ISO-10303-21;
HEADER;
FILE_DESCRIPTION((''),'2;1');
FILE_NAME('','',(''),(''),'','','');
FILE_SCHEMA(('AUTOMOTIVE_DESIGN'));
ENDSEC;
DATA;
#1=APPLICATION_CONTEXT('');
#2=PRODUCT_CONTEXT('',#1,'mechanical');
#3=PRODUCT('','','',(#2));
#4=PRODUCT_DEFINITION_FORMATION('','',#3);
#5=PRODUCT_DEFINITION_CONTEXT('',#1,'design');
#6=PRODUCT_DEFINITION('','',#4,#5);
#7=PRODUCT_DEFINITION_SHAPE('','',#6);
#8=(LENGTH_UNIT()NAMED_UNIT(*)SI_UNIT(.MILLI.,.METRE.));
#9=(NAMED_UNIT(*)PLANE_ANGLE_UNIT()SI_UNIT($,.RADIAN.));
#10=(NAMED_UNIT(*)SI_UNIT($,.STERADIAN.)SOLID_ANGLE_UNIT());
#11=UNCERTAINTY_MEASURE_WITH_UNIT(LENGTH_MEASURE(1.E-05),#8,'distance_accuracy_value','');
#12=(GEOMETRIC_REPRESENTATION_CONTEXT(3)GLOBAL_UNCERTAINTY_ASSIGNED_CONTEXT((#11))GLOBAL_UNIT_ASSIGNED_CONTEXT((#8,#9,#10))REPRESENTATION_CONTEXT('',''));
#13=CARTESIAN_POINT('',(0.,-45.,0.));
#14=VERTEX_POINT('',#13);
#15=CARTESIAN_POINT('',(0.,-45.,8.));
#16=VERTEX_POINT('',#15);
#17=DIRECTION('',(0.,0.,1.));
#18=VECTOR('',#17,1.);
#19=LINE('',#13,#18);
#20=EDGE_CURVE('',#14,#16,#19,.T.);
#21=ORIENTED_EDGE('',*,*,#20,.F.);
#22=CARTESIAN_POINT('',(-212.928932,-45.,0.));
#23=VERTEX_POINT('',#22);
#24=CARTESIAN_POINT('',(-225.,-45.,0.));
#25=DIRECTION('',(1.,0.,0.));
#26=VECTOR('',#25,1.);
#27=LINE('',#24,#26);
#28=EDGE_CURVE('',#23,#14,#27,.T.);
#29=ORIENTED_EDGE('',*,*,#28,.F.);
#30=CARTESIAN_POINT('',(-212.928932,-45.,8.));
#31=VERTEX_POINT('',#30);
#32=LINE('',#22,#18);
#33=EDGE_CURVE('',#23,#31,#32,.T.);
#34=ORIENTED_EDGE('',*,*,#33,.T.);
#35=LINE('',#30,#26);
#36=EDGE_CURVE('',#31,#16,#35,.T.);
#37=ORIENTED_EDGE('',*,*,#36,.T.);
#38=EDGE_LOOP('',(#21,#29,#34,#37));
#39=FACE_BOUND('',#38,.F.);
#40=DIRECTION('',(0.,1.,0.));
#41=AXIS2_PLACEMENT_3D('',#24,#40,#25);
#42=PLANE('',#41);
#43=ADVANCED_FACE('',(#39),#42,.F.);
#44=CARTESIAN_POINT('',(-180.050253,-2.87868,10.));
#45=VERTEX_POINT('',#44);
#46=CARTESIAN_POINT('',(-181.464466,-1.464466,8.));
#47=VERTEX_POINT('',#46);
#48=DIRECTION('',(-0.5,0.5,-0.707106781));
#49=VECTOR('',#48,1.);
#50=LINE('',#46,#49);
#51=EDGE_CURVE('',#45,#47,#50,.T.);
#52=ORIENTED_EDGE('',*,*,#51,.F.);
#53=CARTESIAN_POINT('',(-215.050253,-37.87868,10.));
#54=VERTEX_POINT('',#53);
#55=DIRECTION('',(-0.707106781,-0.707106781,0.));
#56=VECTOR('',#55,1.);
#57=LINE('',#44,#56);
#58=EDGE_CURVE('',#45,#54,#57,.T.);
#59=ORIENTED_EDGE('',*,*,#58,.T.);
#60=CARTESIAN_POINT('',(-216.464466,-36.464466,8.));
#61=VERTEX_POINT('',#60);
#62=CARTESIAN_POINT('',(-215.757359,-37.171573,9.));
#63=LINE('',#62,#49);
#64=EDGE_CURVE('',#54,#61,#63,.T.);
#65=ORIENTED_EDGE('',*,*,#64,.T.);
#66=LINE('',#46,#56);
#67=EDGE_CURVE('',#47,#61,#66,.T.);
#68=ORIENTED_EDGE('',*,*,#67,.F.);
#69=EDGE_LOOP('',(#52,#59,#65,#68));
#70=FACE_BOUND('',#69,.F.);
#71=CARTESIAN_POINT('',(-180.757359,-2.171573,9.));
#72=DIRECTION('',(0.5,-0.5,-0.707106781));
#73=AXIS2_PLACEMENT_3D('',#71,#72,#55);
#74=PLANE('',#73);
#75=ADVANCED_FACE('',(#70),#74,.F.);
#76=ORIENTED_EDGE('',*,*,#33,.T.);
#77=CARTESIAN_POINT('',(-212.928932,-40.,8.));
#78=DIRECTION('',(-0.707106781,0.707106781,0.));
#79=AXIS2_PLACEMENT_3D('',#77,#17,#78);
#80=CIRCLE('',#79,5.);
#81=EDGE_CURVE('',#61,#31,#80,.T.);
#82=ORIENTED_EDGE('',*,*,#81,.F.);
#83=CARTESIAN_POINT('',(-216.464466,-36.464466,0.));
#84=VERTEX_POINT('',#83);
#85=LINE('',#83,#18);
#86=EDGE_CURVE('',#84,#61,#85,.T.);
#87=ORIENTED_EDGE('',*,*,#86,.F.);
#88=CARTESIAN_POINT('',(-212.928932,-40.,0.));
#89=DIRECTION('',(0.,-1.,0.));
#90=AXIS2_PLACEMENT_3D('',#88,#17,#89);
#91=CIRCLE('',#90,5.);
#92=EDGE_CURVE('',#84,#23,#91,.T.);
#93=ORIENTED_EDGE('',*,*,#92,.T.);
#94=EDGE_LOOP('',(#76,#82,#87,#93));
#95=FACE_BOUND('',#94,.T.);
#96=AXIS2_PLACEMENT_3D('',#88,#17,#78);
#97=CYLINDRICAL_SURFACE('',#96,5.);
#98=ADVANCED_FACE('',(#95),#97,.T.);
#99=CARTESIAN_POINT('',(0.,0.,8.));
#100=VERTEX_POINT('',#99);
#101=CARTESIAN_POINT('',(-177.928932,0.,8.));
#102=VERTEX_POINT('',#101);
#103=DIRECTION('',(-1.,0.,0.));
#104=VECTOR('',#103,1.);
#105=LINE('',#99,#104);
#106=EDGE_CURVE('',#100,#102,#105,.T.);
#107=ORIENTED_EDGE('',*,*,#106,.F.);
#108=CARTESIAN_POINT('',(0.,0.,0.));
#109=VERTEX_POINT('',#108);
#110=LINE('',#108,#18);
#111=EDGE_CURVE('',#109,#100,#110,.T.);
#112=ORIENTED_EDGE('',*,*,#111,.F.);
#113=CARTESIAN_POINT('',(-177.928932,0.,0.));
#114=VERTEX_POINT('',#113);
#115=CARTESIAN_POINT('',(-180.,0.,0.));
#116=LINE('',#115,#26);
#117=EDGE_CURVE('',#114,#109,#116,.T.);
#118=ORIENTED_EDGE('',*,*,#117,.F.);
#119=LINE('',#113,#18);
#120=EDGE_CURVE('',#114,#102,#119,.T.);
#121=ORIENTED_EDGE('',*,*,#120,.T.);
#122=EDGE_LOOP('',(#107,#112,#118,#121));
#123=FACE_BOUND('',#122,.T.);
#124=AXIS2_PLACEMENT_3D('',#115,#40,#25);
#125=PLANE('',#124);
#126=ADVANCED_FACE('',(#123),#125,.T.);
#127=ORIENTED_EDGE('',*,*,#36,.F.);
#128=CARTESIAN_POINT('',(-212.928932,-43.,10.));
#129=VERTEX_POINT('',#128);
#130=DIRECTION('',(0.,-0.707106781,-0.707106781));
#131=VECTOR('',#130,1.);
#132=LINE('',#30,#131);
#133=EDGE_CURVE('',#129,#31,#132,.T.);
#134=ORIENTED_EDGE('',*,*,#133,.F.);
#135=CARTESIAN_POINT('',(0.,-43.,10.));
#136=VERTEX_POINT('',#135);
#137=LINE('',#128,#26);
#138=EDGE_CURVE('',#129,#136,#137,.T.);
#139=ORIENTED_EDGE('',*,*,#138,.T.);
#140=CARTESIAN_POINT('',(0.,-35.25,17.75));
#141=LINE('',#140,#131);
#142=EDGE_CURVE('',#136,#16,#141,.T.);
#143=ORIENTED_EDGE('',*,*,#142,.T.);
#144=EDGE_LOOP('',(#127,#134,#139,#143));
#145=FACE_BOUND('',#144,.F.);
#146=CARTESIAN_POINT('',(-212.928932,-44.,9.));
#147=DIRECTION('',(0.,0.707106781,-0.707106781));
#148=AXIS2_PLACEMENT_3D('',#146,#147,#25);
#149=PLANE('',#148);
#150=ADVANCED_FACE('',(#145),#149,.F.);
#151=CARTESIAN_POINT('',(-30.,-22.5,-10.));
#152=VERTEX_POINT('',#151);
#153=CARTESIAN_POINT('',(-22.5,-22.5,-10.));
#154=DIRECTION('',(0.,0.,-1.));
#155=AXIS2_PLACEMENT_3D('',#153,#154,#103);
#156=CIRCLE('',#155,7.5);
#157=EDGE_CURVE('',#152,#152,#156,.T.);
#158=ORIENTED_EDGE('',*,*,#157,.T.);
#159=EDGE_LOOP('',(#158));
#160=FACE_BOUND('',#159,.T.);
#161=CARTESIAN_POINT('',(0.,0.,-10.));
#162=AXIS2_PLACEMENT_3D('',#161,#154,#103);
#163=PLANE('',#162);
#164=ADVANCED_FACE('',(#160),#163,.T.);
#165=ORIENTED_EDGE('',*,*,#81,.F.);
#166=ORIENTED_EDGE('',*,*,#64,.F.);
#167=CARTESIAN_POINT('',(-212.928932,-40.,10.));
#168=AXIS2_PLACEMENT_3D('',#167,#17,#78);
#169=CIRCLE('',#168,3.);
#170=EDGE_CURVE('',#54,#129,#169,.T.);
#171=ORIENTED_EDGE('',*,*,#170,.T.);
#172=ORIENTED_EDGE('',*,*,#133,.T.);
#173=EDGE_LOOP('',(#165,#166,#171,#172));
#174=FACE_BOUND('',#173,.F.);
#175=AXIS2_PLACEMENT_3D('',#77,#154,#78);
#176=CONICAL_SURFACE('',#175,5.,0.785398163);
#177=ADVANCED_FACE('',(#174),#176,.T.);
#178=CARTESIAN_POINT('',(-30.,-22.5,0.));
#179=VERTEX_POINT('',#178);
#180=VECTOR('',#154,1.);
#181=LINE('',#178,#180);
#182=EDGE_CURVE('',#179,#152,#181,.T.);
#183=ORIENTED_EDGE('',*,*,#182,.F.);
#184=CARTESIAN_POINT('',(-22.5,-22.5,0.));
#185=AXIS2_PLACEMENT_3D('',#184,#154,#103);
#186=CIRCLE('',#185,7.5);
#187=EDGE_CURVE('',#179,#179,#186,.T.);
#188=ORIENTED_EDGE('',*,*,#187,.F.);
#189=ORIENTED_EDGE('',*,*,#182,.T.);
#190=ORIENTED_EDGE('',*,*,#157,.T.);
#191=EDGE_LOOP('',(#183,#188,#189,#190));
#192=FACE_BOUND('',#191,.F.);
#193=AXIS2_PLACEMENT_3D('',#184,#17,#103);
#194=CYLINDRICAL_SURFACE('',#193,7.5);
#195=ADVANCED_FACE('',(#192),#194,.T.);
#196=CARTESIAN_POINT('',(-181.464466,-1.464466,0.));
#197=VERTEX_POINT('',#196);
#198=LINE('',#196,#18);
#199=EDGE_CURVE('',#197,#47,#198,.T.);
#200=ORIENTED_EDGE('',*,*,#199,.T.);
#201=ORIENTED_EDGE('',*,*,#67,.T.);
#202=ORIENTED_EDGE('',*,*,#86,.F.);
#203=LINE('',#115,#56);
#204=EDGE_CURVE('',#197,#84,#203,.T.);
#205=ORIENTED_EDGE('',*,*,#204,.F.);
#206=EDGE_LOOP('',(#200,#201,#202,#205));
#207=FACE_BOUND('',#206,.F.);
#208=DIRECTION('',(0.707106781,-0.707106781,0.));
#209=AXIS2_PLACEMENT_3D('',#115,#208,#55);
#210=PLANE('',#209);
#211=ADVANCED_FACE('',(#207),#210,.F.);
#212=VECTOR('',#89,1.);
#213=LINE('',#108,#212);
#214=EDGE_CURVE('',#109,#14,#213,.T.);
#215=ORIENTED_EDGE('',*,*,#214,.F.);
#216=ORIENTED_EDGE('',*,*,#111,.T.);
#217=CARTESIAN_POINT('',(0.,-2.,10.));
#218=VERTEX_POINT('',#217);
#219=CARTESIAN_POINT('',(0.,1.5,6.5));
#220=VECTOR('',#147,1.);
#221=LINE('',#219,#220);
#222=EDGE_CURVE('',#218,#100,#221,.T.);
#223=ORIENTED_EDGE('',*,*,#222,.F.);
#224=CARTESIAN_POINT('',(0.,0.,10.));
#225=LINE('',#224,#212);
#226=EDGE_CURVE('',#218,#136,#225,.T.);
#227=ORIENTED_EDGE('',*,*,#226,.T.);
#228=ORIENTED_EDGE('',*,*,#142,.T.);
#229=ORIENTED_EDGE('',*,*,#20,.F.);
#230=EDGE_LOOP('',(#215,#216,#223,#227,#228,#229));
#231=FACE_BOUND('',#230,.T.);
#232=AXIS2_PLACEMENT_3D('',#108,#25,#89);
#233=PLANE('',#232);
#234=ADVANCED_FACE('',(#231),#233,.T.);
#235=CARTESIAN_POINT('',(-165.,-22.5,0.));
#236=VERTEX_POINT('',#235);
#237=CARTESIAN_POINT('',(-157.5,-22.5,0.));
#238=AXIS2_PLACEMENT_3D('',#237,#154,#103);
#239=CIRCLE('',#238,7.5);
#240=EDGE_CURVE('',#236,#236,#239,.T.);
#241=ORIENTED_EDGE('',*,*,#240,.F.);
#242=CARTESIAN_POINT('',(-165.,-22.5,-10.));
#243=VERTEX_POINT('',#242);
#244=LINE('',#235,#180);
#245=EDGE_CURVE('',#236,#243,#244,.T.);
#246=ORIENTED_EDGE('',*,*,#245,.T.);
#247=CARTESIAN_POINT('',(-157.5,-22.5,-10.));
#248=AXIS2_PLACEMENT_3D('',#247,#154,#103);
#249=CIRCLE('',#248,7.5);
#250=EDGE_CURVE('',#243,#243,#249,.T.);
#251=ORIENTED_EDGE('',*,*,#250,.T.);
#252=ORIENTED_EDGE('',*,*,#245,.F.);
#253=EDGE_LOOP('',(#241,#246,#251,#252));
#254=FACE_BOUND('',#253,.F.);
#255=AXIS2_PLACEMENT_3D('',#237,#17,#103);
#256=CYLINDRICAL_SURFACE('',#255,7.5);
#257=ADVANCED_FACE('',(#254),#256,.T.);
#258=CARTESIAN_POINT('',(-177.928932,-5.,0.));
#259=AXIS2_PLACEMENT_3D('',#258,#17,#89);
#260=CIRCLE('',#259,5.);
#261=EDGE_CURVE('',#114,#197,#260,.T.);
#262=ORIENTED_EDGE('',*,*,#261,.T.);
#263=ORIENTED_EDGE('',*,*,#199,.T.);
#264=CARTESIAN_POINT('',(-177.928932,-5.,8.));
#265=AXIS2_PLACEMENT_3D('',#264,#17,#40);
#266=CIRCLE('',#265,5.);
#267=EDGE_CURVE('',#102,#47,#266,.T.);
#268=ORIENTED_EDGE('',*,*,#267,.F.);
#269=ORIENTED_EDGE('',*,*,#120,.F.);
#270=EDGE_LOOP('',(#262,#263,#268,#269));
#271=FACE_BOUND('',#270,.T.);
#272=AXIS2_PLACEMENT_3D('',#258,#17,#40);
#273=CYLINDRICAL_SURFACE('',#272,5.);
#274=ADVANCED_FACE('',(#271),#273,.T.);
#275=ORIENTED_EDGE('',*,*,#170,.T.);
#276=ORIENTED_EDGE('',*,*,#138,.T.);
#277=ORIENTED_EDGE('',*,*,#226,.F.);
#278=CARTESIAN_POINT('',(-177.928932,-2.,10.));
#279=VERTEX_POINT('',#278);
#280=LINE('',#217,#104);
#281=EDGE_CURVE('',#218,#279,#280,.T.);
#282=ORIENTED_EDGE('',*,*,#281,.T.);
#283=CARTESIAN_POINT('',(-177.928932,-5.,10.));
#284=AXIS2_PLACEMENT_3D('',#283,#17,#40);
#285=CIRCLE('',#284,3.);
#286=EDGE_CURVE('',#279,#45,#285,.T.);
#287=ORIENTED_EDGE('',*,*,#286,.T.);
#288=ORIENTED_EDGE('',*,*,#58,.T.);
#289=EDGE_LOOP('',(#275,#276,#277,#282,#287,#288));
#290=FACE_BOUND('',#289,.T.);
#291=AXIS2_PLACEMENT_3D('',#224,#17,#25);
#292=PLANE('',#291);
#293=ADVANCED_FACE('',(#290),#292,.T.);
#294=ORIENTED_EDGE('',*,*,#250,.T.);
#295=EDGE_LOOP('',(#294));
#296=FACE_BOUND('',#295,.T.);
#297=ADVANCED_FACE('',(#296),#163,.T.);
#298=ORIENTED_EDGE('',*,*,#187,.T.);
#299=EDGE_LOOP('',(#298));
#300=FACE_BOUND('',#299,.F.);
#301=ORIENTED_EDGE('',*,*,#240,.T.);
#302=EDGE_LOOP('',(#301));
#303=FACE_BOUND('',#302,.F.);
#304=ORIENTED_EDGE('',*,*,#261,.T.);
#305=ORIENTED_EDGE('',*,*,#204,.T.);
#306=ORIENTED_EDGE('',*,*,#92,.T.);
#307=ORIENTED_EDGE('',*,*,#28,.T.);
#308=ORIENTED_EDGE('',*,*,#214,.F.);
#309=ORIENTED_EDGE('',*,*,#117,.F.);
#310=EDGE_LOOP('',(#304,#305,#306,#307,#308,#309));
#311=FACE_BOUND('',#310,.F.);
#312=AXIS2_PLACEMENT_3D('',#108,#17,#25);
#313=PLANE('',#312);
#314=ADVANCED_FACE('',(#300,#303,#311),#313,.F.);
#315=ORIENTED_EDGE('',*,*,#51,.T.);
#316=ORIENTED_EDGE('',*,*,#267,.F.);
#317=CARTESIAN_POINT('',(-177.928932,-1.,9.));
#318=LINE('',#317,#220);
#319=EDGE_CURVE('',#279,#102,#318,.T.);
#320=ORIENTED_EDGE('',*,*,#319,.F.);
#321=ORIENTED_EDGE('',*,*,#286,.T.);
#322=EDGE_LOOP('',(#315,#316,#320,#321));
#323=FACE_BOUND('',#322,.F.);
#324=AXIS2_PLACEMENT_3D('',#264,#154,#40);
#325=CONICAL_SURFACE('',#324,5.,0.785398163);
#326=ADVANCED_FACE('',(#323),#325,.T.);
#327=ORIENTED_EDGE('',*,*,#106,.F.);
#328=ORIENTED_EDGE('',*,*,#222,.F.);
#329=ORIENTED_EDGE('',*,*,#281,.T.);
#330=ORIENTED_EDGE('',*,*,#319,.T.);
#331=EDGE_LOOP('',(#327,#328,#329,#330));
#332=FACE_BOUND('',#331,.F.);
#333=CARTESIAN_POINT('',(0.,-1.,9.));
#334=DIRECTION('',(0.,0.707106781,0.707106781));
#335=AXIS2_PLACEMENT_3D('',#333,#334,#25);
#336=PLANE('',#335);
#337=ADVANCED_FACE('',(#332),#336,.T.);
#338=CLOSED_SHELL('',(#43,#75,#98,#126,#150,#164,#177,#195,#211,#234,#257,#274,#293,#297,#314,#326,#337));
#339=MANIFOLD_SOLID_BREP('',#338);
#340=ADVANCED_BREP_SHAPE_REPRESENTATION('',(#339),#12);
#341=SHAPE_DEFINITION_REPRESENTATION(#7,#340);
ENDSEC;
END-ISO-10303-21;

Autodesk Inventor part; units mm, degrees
ref_plane "YZ Plane" through (0, 0, 0) normal (1, 0, 0) x (0, 1, 0)
ref_plane "XZ Plane" through (0, 0, 0) normal (0, 1, 0) x (-1, 0, 0)
ref_plane "XY Plane" through (0, 0, 0) normal (0, 0, 1) x (1, 0, 0)
sketch "Sketch1" plane through (0, 0, 0) normal (0, 0, 1) x (1, 0, 0)
  line L0 (-180, 0) -> (0, 0)
  line L1 (-225, -45) -> (0, -45)
  line L2 (-180, 0) -> (-225, -45)
  line L3 (0, 0) -> (0, -45)
  dimension "d2" = 45
  dimension "d9" = 225
  dimension "d10" = 180
extrude "Extrusion1" add sketch "Sketch1" along normal blind 10
sketch "Sketch4" plane through (0, 0, 0) normal (0, 0, -1) x (-1, 0, 0)
  circle A0 centre (22.5, -22.5) radius 7.5
  circle A1 centre (157.5, -22.5) radius 7.5
  point P0 (0, -45)
  point P1 (180, 0)
  dimension "d26" = 15
  dimension "d30" = 15
extrude "Extrusion2" add sketch "Sketch4" along normal blind 10
fillet "Fillet5" radius 5 2 edges at (-225, -45, 5) (-180, 0, 5)
chamfer "Chamfer3" distance 2 angle 45 5 edges at (-106.4645, -45, 10) (-217.5483, -41.9134, 10) (-198.9645, -18.9645, 10) (-179.8423, -0.3806, 10) (-88.9645, 0, 10)
properties part number "Border"
